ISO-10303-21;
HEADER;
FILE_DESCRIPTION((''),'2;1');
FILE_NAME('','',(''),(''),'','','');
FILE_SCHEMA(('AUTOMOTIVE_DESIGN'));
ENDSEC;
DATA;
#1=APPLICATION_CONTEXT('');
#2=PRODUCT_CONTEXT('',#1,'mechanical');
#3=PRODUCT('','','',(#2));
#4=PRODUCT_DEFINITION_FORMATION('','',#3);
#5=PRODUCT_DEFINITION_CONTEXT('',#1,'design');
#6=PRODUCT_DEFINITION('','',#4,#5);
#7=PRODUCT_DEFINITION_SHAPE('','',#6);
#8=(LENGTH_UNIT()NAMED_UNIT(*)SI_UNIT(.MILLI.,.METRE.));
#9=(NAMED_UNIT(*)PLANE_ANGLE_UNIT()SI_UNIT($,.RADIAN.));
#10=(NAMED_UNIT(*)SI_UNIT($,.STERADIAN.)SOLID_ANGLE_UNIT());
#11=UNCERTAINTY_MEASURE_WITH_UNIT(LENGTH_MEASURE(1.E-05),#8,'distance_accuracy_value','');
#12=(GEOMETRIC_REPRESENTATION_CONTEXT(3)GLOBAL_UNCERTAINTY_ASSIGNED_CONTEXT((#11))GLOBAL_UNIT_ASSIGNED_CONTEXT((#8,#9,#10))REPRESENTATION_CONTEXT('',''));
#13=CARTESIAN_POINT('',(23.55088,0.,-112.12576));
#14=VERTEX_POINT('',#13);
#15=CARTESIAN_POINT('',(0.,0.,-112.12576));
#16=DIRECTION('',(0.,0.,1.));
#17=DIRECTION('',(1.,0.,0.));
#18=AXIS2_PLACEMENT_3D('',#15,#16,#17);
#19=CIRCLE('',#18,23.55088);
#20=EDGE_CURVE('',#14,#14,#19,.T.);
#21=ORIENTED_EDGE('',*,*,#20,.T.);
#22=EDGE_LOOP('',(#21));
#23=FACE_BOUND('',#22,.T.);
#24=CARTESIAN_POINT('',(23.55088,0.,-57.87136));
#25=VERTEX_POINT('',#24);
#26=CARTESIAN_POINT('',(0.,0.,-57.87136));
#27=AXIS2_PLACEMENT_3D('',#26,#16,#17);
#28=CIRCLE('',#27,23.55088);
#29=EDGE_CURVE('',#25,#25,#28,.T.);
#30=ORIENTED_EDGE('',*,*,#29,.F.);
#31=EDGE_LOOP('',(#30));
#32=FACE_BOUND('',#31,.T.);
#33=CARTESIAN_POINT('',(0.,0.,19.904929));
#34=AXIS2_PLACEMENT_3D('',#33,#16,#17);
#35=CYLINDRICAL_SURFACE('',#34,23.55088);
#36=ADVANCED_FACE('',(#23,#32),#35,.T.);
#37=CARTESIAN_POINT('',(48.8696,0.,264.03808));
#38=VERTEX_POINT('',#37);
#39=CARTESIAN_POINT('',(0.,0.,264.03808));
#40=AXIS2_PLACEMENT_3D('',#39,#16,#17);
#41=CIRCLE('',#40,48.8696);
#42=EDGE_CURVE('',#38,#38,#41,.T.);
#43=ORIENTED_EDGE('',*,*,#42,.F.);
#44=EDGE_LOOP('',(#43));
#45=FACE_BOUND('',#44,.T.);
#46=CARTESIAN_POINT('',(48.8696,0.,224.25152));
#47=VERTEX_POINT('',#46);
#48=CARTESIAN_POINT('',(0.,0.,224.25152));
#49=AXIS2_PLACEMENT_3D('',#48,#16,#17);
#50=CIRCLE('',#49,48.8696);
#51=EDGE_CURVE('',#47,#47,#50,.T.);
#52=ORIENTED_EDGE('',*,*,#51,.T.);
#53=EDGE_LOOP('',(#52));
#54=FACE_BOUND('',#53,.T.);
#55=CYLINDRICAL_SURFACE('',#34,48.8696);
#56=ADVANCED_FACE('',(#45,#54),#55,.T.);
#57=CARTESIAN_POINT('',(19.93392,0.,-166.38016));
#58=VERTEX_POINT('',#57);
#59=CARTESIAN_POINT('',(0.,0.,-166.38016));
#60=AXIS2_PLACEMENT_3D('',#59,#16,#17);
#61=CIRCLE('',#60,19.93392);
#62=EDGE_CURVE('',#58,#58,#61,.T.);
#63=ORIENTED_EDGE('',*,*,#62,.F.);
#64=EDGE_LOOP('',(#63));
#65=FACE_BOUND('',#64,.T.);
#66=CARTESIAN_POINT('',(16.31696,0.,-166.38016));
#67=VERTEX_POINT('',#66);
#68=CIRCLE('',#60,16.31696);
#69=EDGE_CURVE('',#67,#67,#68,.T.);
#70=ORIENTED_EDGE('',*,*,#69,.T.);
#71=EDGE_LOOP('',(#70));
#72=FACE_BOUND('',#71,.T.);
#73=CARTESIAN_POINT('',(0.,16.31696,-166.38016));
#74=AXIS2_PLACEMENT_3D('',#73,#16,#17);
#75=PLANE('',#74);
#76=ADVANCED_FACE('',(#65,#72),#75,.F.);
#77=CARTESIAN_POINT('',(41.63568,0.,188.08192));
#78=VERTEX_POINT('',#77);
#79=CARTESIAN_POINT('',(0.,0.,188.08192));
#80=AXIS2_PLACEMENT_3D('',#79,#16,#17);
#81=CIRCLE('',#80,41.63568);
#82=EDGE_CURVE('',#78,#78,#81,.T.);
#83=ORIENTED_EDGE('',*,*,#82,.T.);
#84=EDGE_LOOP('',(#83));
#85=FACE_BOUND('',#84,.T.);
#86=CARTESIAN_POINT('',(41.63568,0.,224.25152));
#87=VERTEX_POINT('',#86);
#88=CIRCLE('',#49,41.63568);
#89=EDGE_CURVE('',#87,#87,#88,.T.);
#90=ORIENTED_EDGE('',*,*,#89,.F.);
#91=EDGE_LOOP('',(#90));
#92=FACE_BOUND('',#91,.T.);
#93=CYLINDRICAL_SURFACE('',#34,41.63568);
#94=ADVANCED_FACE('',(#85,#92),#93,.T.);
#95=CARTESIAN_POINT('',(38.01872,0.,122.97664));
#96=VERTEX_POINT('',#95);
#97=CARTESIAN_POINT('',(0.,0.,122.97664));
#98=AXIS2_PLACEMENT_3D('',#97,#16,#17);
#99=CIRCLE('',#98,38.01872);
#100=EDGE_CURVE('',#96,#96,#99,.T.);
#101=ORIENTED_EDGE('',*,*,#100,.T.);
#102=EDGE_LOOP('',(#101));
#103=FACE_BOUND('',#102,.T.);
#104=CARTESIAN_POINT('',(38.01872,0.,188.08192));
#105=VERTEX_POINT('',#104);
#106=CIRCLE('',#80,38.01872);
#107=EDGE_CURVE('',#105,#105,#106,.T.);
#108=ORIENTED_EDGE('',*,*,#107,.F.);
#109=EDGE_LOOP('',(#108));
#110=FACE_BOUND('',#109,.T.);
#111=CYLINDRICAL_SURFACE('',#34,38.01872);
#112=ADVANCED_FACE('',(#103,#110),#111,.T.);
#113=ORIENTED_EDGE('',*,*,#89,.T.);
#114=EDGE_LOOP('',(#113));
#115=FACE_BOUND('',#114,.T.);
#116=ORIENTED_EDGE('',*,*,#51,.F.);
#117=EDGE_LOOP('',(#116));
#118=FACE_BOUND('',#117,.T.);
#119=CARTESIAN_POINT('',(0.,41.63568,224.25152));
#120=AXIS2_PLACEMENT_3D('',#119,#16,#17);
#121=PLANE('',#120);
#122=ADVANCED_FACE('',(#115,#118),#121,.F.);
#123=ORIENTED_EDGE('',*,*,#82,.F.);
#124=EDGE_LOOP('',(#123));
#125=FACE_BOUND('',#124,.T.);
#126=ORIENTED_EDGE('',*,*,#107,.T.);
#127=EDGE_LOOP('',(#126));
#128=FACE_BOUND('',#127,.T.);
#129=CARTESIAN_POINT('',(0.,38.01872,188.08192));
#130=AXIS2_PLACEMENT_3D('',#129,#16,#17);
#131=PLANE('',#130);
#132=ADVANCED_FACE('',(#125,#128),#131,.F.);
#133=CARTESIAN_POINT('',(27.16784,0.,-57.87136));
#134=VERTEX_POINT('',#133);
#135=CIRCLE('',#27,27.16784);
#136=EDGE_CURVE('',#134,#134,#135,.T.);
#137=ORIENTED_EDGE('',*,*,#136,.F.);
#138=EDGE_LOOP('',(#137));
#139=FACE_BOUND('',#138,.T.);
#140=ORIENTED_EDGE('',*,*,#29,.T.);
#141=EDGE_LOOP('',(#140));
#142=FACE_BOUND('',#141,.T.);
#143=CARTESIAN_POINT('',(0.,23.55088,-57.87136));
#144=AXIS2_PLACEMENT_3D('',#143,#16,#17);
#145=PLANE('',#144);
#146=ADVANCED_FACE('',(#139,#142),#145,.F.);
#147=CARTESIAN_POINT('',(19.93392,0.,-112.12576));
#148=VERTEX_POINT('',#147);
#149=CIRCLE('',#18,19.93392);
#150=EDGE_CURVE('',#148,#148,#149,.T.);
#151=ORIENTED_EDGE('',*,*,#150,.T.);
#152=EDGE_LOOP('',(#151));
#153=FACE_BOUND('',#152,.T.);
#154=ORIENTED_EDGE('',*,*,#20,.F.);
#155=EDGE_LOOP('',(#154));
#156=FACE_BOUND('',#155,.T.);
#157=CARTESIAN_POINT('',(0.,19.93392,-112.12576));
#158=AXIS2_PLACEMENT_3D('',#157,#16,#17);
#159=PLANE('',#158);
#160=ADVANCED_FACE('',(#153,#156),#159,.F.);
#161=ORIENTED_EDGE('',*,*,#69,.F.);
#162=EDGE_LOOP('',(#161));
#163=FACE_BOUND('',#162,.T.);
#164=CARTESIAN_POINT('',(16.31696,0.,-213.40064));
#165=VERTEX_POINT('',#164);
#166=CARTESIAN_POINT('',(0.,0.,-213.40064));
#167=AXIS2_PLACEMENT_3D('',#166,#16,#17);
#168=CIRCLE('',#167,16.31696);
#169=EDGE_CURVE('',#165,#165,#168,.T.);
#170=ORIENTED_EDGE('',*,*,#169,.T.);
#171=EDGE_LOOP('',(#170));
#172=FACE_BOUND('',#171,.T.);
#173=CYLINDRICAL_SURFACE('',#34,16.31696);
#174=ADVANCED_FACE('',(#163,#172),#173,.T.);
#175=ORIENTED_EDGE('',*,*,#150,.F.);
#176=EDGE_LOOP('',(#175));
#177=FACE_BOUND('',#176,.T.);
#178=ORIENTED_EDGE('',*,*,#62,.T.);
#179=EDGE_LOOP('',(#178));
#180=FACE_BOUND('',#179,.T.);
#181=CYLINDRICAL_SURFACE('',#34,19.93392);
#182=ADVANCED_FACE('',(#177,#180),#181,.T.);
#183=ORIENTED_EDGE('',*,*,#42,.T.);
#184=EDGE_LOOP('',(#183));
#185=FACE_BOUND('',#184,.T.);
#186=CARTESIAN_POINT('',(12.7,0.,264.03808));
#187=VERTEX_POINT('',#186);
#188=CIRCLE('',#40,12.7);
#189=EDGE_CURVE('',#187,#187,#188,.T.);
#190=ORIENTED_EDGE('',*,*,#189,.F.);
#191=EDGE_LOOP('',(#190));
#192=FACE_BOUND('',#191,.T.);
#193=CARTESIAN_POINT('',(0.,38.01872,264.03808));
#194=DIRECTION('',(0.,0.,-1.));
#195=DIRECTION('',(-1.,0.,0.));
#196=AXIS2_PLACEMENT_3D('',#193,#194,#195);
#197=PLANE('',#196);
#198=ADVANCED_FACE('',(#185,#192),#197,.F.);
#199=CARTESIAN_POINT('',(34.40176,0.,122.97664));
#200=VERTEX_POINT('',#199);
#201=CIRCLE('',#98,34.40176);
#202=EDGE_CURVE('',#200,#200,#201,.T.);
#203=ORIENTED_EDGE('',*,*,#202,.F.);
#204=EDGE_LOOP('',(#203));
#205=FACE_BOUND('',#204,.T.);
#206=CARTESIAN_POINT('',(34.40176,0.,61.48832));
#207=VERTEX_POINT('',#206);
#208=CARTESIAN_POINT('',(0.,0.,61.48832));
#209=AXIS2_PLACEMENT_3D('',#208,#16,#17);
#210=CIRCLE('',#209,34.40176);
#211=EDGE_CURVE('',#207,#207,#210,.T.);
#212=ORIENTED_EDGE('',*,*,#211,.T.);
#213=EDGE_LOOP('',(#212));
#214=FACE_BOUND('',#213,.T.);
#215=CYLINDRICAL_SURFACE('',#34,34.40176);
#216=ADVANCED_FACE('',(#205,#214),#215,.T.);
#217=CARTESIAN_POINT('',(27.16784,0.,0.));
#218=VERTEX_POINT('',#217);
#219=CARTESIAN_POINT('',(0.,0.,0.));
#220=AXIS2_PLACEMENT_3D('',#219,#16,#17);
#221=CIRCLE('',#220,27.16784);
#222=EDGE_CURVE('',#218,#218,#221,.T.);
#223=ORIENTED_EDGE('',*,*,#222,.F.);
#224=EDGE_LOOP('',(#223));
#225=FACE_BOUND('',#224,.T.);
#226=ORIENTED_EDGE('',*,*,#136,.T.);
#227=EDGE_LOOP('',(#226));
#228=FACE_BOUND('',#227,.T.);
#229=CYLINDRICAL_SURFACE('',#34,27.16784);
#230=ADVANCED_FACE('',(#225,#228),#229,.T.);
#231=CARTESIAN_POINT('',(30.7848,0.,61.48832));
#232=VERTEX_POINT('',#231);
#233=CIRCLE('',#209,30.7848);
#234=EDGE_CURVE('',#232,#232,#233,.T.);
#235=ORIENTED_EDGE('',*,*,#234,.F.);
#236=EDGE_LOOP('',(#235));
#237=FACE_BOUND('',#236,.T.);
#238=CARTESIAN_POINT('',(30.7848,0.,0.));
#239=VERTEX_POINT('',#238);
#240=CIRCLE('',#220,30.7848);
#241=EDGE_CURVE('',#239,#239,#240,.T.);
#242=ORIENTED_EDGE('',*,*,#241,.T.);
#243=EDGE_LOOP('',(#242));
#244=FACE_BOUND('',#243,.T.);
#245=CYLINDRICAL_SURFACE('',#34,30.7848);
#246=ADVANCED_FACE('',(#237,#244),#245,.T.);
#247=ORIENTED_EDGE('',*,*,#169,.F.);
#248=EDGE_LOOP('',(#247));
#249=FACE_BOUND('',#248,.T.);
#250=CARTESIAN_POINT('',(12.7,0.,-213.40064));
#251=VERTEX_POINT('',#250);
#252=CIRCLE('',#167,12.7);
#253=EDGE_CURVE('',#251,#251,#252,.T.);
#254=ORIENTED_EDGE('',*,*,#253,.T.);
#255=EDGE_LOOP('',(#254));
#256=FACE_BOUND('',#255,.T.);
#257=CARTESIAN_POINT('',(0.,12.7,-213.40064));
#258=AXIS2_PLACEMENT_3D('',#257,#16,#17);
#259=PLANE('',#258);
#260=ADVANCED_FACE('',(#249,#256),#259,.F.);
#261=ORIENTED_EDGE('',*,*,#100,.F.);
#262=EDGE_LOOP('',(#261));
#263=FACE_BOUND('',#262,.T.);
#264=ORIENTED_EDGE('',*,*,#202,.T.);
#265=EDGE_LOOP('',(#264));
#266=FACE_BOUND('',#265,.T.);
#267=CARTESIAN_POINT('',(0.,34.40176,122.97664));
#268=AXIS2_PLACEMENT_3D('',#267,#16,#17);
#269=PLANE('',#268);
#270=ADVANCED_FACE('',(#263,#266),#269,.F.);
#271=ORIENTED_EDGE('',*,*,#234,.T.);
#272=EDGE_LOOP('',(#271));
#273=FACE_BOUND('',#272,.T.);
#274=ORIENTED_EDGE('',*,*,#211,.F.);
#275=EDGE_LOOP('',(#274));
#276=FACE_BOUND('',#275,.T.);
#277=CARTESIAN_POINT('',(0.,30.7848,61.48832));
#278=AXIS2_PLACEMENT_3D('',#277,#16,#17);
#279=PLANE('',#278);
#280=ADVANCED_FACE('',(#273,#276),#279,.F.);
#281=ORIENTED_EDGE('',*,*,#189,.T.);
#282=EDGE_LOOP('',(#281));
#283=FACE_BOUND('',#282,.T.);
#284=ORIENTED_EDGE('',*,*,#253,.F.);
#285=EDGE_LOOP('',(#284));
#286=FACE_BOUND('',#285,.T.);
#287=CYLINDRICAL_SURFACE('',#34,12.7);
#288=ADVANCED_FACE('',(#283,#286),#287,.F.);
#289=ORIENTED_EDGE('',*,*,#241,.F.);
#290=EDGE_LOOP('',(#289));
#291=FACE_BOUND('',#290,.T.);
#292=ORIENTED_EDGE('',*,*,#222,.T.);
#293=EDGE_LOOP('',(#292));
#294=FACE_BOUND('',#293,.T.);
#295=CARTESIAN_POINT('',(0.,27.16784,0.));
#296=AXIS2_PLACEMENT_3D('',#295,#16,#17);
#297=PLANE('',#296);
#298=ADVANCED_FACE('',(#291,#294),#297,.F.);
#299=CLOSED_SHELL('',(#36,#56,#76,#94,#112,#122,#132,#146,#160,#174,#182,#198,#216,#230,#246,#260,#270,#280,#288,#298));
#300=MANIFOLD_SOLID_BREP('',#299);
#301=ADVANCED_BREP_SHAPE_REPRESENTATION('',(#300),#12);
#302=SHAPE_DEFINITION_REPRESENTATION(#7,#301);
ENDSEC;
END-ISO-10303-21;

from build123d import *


with BuildPart() as part:
    # Sketch1 → Revolve1 (revolve)
    with BuildSketch(Plane(origin=(0, 0, 0), x_dir=(0, 0, -1), z_dir=(1, 0, 0)), mode=Mode.PRIVATE) as revolve1_sk:
        Polygon((-264.03808, 12.7), (213.40064, 12.7), (213.40064, 16.31696), (166.38016, 16.31696), (166.38016, 19.93392), (112.12576, 19.93392), (112.12576, 23.55088), (57.87136, 23.55088), (57.87136, 27.16784), (0, 27.16784), (0, 30.7848), (-61.48832, 30.7848), (-61.48832, 34.40176), (-122.97664, 34.40176), (-122.97664, 38.01872), (-188.08192, 38.01872), (-188.08192, 41.63568), (-224.25152, 41.63568), (-224.25152, 48.8696), (-264.03808, 48.8696), (-264.03808, 38.01872), align=None)
    revolve(revolve1_sk.sketch.rotate(Axis((0, 0, 19.904928919), (0, 0, -1)), 90), axis=Axis((0, 0, 19.904928919), (0, 0, -1)))


solid = part.part
